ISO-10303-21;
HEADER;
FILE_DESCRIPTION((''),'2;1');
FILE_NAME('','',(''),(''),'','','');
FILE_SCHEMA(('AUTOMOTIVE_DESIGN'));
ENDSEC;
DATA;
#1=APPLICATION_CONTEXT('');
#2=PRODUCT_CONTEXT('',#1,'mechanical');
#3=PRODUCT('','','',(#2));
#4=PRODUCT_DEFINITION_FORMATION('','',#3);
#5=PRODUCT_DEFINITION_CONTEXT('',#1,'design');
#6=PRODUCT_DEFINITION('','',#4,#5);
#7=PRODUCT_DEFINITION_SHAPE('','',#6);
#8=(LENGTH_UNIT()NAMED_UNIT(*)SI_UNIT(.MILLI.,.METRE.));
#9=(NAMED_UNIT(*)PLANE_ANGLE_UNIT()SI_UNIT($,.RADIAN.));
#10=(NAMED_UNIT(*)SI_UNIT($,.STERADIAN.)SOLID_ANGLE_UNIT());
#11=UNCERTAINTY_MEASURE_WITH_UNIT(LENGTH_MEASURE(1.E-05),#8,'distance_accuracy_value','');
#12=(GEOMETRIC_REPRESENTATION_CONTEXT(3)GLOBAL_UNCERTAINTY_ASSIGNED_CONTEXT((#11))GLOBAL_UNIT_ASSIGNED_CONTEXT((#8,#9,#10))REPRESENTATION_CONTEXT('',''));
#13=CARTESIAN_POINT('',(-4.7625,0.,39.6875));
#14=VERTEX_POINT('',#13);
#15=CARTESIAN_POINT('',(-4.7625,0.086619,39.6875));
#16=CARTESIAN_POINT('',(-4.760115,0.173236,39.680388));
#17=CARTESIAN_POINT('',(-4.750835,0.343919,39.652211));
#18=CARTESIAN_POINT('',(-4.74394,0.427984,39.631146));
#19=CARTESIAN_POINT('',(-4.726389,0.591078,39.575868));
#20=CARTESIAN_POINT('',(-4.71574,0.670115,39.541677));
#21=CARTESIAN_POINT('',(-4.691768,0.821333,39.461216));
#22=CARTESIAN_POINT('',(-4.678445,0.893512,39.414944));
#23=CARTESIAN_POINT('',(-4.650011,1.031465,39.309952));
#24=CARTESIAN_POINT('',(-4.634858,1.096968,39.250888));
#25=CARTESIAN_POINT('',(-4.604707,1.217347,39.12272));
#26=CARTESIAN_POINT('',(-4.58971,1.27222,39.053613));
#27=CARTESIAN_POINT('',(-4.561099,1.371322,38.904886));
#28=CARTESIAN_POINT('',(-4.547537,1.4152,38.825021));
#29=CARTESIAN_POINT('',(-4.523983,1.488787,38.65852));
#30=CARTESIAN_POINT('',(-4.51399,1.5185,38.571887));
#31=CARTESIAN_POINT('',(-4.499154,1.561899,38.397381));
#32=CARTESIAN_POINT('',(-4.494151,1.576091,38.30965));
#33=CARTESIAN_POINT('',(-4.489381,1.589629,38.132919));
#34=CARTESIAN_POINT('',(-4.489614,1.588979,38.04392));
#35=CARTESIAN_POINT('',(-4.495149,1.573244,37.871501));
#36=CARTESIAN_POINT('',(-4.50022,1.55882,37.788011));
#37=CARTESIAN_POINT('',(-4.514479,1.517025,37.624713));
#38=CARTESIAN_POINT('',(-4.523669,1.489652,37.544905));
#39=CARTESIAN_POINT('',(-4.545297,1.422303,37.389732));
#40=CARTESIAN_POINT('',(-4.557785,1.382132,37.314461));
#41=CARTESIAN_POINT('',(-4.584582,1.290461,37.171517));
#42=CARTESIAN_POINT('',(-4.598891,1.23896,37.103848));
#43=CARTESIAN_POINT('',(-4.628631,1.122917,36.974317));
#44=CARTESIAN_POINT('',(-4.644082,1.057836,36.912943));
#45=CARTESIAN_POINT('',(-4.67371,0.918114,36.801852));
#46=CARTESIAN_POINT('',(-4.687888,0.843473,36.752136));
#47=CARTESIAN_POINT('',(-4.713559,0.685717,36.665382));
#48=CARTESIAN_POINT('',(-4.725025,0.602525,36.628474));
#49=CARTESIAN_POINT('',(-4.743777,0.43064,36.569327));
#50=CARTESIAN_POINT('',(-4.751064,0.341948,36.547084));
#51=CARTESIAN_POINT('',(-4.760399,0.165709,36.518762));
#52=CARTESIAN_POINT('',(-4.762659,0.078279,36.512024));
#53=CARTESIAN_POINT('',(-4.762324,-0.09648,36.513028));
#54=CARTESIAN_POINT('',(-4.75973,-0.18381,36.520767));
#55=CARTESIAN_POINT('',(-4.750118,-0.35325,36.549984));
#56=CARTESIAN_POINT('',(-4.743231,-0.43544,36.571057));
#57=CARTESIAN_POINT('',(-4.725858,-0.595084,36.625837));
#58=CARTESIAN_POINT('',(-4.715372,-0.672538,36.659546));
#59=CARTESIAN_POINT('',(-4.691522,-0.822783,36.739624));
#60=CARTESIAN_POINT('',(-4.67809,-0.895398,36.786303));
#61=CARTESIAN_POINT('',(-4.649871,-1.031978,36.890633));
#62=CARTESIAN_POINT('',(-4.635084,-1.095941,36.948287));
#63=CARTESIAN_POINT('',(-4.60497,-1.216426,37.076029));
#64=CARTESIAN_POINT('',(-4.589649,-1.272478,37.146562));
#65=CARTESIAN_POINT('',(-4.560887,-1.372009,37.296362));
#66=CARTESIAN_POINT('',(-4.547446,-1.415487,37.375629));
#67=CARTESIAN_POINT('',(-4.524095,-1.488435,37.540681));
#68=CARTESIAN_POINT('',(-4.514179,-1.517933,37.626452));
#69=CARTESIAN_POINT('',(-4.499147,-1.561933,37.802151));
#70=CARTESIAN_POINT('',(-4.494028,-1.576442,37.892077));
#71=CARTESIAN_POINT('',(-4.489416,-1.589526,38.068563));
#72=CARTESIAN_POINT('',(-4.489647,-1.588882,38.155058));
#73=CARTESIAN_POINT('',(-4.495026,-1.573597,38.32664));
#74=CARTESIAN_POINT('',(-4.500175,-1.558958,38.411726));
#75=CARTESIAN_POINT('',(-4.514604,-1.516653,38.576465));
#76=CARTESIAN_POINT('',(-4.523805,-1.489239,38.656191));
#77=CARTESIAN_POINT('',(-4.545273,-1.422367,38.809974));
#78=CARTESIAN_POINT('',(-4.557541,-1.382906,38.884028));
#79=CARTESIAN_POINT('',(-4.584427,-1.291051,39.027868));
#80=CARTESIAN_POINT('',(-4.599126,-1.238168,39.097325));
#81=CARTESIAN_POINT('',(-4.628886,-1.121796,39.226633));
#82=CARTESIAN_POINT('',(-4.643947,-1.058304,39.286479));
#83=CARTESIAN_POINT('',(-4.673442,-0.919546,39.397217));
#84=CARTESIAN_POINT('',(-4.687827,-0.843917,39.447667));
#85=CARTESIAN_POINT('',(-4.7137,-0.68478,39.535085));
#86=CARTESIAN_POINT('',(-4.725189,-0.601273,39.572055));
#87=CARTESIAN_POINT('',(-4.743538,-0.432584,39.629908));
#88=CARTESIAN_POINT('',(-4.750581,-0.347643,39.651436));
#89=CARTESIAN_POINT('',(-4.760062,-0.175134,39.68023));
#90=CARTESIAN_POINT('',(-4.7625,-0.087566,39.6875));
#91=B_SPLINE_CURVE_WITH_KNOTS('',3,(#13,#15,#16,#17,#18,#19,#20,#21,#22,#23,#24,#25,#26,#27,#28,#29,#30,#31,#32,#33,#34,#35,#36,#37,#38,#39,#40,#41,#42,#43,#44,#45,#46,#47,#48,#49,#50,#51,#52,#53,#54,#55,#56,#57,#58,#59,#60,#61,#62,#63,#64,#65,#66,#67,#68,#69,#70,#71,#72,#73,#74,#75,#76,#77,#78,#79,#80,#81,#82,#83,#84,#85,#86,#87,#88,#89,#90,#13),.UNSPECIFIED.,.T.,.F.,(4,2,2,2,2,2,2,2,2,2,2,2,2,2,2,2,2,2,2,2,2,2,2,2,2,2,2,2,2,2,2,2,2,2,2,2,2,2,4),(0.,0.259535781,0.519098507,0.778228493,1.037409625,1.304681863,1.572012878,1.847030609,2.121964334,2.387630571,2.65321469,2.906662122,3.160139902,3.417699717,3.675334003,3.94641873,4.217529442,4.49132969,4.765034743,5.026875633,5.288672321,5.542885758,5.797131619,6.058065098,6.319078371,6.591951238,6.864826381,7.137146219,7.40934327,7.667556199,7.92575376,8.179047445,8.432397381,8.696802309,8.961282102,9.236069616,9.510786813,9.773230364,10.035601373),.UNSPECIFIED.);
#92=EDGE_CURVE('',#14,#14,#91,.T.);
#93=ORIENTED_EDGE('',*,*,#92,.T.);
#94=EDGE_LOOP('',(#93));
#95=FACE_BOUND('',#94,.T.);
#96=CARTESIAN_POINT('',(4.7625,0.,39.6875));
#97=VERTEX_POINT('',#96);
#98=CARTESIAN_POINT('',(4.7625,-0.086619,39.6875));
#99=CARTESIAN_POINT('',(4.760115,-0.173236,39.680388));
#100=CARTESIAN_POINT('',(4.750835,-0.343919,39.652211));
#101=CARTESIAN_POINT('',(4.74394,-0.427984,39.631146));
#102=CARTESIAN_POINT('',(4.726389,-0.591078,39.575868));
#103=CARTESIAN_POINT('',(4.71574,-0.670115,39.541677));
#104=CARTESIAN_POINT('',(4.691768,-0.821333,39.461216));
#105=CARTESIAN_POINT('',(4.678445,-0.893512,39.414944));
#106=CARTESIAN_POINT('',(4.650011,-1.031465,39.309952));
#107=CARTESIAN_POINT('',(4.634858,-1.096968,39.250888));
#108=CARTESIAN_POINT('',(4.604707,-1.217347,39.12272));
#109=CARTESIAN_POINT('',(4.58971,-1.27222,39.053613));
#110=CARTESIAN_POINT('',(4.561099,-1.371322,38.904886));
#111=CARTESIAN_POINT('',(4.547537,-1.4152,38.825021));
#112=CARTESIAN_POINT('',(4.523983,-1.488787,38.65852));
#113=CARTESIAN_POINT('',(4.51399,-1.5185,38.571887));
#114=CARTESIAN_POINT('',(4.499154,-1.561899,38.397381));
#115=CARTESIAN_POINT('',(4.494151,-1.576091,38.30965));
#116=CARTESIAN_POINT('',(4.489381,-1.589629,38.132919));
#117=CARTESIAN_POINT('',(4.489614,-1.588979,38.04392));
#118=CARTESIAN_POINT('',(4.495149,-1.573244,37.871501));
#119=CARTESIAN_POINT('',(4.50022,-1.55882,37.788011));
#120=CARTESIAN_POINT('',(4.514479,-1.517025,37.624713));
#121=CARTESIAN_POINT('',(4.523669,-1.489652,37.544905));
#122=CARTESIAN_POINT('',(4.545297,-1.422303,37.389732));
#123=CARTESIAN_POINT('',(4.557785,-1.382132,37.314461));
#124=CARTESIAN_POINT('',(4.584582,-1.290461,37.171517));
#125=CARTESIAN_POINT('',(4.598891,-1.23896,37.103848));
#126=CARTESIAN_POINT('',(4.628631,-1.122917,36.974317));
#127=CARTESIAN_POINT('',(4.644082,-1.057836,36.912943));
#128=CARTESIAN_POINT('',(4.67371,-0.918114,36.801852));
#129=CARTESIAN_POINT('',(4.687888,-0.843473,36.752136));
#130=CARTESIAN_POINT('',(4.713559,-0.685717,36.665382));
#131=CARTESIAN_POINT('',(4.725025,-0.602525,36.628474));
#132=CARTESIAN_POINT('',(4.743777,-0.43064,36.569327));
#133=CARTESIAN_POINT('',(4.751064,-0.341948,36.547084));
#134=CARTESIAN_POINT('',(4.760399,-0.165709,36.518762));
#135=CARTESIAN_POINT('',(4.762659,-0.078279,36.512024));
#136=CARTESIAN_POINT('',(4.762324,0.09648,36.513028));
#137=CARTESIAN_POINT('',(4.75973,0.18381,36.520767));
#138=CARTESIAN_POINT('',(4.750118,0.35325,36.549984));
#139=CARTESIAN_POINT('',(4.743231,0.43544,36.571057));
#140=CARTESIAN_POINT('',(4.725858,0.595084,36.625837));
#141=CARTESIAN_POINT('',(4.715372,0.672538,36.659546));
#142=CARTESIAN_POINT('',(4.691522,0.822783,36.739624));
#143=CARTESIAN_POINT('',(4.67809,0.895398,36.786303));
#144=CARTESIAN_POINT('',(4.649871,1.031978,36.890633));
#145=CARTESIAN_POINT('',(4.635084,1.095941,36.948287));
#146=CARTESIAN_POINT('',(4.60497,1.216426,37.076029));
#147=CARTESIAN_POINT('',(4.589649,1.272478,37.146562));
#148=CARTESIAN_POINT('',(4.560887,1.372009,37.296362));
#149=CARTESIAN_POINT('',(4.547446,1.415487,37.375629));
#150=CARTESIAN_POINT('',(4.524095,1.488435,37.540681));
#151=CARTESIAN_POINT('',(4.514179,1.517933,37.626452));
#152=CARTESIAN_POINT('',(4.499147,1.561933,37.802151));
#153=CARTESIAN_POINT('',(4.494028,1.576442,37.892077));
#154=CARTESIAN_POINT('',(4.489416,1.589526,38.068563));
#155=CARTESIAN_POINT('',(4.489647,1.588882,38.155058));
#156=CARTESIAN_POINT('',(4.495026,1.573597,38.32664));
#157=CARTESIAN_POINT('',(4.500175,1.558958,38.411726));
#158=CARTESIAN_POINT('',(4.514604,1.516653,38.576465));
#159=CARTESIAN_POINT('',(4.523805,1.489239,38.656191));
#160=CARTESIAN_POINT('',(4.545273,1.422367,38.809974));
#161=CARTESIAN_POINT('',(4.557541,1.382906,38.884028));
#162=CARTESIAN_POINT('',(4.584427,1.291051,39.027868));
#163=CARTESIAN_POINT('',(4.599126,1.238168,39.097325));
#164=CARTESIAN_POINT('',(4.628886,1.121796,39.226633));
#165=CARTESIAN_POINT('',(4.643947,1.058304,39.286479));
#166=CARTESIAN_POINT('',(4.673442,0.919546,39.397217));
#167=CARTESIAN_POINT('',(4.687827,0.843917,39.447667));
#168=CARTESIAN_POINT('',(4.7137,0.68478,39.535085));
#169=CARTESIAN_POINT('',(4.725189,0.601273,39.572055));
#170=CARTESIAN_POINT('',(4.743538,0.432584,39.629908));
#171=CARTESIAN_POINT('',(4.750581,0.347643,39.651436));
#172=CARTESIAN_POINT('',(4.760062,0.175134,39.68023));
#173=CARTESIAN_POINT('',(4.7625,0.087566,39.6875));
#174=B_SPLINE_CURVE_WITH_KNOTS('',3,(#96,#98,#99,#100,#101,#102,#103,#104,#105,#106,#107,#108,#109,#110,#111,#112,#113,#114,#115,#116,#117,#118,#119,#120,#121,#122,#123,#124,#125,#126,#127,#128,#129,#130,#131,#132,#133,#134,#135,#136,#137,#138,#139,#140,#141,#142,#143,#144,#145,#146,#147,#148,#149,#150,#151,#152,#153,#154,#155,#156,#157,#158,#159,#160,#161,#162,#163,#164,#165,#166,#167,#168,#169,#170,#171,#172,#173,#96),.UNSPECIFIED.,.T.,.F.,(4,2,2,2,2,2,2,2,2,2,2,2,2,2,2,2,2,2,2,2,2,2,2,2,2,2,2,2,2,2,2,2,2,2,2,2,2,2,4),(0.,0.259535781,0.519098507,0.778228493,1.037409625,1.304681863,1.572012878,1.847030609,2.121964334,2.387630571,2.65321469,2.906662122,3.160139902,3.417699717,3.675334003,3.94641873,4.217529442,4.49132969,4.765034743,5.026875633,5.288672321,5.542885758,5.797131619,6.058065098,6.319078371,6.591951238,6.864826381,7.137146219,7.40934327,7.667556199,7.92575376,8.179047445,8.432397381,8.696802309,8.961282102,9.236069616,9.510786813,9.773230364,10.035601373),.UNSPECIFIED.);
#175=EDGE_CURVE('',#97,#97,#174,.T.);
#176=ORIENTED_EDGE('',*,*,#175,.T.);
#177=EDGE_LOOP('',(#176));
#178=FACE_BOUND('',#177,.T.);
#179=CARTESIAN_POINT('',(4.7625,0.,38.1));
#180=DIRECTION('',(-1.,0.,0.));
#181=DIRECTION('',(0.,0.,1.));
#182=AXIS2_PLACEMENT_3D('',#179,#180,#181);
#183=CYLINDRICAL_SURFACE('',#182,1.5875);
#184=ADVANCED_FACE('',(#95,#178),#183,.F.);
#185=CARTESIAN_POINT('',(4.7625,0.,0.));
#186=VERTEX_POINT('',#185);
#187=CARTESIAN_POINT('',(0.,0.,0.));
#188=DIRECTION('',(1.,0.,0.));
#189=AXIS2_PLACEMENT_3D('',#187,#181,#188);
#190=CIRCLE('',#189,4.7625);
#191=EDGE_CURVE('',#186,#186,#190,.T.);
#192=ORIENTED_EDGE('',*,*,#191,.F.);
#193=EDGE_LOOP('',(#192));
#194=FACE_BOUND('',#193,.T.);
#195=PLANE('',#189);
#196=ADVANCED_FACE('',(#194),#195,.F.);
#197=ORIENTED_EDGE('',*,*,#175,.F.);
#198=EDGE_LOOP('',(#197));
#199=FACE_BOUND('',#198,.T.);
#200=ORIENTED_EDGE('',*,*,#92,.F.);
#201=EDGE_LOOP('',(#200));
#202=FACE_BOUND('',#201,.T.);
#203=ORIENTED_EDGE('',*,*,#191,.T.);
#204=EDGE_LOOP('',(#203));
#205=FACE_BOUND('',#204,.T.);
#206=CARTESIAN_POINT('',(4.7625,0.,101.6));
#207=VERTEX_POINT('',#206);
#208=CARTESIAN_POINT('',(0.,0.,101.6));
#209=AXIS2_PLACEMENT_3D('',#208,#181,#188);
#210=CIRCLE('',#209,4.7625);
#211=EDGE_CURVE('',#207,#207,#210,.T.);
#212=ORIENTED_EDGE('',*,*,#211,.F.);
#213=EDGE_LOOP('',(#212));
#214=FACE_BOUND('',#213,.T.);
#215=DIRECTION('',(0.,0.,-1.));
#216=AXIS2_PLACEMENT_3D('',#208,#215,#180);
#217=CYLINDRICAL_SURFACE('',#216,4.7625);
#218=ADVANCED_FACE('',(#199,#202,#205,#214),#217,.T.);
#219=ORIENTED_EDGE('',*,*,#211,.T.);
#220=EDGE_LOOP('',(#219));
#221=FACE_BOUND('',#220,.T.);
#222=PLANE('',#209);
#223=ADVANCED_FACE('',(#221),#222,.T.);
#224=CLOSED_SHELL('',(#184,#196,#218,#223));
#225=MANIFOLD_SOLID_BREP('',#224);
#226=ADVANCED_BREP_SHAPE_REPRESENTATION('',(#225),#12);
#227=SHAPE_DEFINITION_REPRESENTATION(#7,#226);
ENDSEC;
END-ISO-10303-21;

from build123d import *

# Parameters (mm, degrees)
SKETCH1_R               = 4.7625
BOSS_EXTRUDE1_DEPTH     = 101.6
CUT_EXTRUDE1_DEPTH      = 4.7625
CUT_EXTRUDE1_DEPTH_BACK = 4.7625
SKETCH2_R               = 1.5875


with BuildPart() as part:
    # Sketch1 → Boss-Extrude1 (new body)
    with BuildSketch(Plane.XY):
        Circle(SKETCH1_R)
    extrude(amount=BOSS_EXTRUDE1_DEPTH)

    # Sketch2 → Cut-Extrude1 (cut, two sides: drawn at the far end of the back side and taken through both)
    with BuildSketch(Plane(origin=(0, 0, 0), x_dir=(0, 0, -1), z_dir=(1, 0, 0)).offset(-CUT_EXTRUDE1_DEPTH_BACK)):
        with Locations((-38.1, 0)):
            Circle(SKETCH2_R)
    extrude(amount=CUT_EXTRUDE1_DEPTH + CUT_EXTRUDE1_DEPTH_BACK, mode=Mode.SUBTRACT)


solid = part.part
